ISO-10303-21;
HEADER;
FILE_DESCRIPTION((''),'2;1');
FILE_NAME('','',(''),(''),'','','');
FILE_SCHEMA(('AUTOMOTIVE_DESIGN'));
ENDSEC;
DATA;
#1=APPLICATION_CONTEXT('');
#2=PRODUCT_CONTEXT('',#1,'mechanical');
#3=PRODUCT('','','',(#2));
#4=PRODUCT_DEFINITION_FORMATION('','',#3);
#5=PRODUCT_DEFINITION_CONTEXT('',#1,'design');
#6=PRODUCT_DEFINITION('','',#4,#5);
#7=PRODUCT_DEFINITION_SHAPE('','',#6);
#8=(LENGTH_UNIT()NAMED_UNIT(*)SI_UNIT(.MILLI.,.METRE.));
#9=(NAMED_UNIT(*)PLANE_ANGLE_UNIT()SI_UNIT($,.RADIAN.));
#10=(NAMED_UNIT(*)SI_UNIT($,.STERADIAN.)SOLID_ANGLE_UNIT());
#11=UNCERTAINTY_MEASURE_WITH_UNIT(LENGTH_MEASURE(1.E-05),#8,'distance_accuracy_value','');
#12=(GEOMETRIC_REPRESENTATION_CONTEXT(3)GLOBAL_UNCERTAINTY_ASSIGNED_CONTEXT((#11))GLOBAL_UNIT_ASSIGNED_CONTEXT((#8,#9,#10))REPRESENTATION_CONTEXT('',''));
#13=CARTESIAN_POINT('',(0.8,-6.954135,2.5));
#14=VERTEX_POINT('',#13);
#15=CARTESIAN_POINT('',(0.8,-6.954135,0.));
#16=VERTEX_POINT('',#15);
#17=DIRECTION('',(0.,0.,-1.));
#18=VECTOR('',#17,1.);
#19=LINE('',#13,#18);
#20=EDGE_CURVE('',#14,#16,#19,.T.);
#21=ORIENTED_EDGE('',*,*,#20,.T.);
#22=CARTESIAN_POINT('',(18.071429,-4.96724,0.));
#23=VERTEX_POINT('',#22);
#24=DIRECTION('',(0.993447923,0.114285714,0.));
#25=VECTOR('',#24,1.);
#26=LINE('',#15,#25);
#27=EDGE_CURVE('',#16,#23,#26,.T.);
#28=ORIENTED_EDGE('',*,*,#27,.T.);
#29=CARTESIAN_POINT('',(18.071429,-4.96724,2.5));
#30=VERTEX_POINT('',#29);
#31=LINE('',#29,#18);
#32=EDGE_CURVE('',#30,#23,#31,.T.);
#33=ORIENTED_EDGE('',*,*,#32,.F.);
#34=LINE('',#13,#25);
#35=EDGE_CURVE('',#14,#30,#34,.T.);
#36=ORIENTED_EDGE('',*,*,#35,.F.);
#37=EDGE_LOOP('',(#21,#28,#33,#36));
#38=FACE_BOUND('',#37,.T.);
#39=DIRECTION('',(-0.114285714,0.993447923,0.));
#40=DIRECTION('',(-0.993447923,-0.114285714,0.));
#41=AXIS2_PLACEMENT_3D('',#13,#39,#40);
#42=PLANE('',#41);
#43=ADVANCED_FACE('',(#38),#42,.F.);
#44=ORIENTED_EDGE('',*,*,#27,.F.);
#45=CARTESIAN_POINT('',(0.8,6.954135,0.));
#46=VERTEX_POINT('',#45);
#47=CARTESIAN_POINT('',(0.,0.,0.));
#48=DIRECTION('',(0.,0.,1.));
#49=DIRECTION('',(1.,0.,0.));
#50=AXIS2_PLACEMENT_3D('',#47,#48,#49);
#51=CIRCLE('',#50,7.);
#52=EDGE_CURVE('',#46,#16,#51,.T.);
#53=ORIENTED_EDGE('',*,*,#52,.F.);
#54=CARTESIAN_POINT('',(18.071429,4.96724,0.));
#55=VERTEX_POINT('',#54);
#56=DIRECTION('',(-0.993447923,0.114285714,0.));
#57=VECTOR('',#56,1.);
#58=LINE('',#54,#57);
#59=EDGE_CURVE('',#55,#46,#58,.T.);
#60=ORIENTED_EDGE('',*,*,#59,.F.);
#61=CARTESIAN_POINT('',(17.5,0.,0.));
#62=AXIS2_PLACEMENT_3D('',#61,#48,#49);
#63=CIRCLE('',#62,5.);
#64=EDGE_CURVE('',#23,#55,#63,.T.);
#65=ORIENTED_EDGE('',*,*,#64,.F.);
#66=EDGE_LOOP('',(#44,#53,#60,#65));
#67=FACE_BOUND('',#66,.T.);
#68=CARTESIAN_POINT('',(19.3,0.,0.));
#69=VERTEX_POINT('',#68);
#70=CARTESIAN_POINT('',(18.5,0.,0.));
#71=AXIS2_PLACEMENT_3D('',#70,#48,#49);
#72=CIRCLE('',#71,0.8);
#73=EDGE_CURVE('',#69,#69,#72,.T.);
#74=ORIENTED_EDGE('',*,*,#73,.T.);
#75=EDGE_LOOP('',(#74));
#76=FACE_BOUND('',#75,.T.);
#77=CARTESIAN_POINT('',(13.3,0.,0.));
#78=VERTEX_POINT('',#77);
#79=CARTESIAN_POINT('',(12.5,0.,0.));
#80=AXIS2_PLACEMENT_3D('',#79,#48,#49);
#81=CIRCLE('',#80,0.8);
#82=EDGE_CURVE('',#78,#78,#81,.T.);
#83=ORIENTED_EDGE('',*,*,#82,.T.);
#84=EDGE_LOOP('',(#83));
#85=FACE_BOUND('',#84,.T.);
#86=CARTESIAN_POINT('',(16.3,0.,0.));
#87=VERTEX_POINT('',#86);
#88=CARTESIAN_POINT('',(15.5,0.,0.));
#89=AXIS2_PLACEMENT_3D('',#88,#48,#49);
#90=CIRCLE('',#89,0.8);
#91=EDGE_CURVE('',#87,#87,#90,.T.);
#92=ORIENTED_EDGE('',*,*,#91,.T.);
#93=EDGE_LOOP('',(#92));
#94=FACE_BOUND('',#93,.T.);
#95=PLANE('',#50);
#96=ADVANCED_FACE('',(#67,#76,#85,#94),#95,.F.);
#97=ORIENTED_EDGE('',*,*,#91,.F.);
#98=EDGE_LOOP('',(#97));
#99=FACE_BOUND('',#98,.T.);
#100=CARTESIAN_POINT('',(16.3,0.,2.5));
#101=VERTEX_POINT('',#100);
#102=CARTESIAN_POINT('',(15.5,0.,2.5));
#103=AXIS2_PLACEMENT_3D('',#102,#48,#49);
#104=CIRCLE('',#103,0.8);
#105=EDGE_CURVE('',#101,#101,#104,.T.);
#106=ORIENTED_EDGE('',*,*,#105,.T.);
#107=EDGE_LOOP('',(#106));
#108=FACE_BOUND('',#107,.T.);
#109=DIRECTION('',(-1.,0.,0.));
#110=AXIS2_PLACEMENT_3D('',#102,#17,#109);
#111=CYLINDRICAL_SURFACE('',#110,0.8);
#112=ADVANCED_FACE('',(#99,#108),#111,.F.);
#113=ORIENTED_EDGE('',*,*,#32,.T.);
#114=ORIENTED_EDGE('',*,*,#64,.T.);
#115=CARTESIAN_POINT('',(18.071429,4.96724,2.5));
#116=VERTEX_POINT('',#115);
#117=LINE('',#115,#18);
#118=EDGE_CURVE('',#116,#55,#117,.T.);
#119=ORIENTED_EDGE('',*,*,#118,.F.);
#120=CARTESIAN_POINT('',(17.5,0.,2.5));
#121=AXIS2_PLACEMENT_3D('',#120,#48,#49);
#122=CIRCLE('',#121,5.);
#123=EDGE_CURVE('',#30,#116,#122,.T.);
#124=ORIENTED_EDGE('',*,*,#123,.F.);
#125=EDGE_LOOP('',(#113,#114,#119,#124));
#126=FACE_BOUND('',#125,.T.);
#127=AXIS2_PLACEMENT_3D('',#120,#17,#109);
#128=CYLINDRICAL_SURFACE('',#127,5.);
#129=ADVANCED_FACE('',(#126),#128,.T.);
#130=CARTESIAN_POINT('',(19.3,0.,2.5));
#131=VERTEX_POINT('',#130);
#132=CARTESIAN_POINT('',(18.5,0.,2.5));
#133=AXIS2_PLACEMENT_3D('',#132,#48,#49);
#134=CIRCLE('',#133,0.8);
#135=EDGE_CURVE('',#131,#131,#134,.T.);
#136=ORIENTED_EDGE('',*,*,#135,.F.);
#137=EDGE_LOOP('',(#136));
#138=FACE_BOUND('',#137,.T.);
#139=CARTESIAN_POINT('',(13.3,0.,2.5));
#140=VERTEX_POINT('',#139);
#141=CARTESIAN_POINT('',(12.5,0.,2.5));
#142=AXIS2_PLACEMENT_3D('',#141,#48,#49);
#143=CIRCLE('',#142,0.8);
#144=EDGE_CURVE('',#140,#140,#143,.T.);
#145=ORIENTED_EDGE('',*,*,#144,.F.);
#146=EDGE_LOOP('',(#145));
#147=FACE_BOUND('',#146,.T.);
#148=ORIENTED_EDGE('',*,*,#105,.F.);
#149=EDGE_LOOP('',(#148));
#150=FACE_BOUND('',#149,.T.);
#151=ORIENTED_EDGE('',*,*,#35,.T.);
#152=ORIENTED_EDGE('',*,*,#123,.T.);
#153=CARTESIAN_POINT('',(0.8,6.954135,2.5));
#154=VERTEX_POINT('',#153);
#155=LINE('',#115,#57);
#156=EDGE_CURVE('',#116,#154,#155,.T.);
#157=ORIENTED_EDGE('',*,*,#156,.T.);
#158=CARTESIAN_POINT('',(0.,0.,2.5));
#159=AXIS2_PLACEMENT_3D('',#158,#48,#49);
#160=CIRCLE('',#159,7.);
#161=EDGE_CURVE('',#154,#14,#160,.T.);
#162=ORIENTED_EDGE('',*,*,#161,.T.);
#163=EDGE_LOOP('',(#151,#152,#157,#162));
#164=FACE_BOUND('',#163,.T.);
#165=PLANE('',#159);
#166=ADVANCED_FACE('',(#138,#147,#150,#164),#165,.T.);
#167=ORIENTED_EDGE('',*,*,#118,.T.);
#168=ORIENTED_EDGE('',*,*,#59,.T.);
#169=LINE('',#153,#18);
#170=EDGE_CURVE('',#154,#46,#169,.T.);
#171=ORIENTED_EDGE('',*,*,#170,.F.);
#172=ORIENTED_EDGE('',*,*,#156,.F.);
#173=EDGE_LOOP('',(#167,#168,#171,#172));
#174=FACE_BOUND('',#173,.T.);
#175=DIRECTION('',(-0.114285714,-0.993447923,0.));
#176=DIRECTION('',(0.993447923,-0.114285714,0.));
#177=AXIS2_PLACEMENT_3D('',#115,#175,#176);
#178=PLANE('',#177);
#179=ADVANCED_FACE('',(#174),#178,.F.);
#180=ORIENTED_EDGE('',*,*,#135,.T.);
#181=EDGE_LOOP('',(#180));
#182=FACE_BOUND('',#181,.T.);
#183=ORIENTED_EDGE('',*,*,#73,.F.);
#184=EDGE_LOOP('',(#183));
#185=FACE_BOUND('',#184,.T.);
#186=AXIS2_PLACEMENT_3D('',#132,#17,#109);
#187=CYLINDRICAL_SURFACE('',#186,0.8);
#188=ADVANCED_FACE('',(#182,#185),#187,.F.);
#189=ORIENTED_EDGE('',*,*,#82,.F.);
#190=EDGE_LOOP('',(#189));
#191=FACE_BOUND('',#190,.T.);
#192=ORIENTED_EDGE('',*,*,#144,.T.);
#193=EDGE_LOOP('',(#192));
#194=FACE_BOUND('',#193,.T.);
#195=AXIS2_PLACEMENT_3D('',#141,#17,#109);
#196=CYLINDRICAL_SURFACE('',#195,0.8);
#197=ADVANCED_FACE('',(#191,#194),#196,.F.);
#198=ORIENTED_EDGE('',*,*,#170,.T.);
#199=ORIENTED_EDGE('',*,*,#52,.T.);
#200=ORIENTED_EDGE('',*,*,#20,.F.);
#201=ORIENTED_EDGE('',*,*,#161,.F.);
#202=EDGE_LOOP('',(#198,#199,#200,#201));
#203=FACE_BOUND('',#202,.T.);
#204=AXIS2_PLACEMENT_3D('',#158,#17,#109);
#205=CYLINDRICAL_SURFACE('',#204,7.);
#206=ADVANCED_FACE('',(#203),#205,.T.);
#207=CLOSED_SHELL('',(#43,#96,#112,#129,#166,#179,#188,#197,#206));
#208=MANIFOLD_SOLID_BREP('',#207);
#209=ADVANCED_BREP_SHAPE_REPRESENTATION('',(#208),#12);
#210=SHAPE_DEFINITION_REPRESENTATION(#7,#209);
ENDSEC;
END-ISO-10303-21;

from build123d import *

# Parameters (mm, degrees)
SKETCH1_R           = 0.8
BOSS_EXTRUDE1_DEPTH = 2.5


with BuildPart() as part:
    # Sketch1 → Boss-Extrude1 (new body)
    with BuildSketch(Plane.XY):
        with BuildLine():
            Line((0.8, -6.95413546), (18.071428571, -4.967239614))
            ThreePointArc((18.071428571, -4.967239614), (22.5, 0), (18.071428571, 4.967239614))
            Line((18.071428571, 4.967239614), (0.8, 6.95413546))
            ThreePointArc((0.8, 6.95413546), (-7, 0), (0.8, -6.95413546))
        make_face()
        with Locations((12.5, 0)):
            Circle(SKETCH1_R, mode=Mode.SUBTRACT)
        with Locations((15.5, 0)):
            Circle(SKETCH1_R, mode=Mode.SUBTRACT)
        with Locations((18.5, 0)):
            Circle(SKETCH1_R, mode=Mode.SUBTRACT)
    extrude(amount=BOSS_EXTRUDE1_DEPTH)


solid = part.part
